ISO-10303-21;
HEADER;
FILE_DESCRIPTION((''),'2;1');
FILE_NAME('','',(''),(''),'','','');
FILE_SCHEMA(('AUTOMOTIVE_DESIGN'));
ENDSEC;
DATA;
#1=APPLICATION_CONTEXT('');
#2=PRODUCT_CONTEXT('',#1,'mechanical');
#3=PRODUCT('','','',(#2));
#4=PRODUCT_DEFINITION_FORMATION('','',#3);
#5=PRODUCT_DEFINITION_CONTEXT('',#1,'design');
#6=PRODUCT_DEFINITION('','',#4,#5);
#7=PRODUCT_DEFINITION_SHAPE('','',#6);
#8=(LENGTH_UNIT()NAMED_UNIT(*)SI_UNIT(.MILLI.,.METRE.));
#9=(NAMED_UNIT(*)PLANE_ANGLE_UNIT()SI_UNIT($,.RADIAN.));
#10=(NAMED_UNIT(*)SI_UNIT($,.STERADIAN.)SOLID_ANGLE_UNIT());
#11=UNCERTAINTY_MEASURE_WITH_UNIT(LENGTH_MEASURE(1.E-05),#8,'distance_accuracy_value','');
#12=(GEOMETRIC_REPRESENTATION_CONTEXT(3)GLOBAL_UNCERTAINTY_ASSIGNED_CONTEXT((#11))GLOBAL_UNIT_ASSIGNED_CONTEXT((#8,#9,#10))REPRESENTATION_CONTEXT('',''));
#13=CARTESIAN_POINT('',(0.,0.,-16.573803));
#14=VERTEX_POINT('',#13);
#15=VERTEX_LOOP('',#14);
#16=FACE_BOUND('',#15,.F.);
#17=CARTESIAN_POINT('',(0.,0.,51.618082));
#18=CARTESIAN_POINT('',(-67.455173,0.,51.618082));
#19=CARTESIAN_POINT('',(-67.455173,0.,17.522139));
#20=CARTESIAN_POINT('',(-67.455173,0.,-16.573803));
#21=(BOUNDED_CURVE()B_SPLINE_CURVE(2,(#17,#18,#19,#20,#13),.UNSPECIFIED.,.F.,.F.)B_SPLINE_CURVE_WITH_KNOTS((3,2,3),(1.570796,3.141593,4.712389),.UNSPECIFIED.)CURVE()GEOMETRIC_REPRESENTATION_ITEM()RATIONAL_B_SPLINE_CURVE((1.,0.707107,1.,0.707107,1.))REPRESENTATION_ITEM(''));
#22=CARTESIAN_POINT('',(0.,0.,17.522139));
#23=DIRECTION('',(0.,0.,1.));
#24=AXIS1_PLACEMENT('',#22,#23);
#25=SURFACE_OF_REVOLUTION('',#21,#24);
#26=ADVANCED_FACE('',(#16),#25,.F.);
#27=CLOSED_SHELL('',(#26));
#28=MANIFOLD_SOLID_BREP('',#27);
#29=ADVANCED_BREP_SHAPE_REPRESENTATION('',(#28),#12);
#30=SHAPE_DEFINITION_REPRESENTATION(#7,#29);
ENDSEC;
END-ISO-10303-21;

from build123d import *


with BuildPart() as f1:
    # F0 (on Front) → F1 (revolve)
    with BuildSketch(Plane.XZ):
        with BuildLine():
            Line((0, -16.573803), (0, 51.618082))
            add(Edge.make_bspline(
                [(0, 51.618082), (-67.455173, 51.618082), (-67.455173, 17.522139), (-67.455173, -16.573803), (0, -16.573803)],
                knots=[1.570796, 1.570796, 1.570796, 3.141593, 3.141593, 4.712389, 4.712389, 4.712389], degree=2, weights=[1, 0.707107, 1, 0.707107, 1]))
        make_face()
    revolve(axis=Axis((0, 0, 17.522139), (0, 0, 1)))


solid = f1.part
